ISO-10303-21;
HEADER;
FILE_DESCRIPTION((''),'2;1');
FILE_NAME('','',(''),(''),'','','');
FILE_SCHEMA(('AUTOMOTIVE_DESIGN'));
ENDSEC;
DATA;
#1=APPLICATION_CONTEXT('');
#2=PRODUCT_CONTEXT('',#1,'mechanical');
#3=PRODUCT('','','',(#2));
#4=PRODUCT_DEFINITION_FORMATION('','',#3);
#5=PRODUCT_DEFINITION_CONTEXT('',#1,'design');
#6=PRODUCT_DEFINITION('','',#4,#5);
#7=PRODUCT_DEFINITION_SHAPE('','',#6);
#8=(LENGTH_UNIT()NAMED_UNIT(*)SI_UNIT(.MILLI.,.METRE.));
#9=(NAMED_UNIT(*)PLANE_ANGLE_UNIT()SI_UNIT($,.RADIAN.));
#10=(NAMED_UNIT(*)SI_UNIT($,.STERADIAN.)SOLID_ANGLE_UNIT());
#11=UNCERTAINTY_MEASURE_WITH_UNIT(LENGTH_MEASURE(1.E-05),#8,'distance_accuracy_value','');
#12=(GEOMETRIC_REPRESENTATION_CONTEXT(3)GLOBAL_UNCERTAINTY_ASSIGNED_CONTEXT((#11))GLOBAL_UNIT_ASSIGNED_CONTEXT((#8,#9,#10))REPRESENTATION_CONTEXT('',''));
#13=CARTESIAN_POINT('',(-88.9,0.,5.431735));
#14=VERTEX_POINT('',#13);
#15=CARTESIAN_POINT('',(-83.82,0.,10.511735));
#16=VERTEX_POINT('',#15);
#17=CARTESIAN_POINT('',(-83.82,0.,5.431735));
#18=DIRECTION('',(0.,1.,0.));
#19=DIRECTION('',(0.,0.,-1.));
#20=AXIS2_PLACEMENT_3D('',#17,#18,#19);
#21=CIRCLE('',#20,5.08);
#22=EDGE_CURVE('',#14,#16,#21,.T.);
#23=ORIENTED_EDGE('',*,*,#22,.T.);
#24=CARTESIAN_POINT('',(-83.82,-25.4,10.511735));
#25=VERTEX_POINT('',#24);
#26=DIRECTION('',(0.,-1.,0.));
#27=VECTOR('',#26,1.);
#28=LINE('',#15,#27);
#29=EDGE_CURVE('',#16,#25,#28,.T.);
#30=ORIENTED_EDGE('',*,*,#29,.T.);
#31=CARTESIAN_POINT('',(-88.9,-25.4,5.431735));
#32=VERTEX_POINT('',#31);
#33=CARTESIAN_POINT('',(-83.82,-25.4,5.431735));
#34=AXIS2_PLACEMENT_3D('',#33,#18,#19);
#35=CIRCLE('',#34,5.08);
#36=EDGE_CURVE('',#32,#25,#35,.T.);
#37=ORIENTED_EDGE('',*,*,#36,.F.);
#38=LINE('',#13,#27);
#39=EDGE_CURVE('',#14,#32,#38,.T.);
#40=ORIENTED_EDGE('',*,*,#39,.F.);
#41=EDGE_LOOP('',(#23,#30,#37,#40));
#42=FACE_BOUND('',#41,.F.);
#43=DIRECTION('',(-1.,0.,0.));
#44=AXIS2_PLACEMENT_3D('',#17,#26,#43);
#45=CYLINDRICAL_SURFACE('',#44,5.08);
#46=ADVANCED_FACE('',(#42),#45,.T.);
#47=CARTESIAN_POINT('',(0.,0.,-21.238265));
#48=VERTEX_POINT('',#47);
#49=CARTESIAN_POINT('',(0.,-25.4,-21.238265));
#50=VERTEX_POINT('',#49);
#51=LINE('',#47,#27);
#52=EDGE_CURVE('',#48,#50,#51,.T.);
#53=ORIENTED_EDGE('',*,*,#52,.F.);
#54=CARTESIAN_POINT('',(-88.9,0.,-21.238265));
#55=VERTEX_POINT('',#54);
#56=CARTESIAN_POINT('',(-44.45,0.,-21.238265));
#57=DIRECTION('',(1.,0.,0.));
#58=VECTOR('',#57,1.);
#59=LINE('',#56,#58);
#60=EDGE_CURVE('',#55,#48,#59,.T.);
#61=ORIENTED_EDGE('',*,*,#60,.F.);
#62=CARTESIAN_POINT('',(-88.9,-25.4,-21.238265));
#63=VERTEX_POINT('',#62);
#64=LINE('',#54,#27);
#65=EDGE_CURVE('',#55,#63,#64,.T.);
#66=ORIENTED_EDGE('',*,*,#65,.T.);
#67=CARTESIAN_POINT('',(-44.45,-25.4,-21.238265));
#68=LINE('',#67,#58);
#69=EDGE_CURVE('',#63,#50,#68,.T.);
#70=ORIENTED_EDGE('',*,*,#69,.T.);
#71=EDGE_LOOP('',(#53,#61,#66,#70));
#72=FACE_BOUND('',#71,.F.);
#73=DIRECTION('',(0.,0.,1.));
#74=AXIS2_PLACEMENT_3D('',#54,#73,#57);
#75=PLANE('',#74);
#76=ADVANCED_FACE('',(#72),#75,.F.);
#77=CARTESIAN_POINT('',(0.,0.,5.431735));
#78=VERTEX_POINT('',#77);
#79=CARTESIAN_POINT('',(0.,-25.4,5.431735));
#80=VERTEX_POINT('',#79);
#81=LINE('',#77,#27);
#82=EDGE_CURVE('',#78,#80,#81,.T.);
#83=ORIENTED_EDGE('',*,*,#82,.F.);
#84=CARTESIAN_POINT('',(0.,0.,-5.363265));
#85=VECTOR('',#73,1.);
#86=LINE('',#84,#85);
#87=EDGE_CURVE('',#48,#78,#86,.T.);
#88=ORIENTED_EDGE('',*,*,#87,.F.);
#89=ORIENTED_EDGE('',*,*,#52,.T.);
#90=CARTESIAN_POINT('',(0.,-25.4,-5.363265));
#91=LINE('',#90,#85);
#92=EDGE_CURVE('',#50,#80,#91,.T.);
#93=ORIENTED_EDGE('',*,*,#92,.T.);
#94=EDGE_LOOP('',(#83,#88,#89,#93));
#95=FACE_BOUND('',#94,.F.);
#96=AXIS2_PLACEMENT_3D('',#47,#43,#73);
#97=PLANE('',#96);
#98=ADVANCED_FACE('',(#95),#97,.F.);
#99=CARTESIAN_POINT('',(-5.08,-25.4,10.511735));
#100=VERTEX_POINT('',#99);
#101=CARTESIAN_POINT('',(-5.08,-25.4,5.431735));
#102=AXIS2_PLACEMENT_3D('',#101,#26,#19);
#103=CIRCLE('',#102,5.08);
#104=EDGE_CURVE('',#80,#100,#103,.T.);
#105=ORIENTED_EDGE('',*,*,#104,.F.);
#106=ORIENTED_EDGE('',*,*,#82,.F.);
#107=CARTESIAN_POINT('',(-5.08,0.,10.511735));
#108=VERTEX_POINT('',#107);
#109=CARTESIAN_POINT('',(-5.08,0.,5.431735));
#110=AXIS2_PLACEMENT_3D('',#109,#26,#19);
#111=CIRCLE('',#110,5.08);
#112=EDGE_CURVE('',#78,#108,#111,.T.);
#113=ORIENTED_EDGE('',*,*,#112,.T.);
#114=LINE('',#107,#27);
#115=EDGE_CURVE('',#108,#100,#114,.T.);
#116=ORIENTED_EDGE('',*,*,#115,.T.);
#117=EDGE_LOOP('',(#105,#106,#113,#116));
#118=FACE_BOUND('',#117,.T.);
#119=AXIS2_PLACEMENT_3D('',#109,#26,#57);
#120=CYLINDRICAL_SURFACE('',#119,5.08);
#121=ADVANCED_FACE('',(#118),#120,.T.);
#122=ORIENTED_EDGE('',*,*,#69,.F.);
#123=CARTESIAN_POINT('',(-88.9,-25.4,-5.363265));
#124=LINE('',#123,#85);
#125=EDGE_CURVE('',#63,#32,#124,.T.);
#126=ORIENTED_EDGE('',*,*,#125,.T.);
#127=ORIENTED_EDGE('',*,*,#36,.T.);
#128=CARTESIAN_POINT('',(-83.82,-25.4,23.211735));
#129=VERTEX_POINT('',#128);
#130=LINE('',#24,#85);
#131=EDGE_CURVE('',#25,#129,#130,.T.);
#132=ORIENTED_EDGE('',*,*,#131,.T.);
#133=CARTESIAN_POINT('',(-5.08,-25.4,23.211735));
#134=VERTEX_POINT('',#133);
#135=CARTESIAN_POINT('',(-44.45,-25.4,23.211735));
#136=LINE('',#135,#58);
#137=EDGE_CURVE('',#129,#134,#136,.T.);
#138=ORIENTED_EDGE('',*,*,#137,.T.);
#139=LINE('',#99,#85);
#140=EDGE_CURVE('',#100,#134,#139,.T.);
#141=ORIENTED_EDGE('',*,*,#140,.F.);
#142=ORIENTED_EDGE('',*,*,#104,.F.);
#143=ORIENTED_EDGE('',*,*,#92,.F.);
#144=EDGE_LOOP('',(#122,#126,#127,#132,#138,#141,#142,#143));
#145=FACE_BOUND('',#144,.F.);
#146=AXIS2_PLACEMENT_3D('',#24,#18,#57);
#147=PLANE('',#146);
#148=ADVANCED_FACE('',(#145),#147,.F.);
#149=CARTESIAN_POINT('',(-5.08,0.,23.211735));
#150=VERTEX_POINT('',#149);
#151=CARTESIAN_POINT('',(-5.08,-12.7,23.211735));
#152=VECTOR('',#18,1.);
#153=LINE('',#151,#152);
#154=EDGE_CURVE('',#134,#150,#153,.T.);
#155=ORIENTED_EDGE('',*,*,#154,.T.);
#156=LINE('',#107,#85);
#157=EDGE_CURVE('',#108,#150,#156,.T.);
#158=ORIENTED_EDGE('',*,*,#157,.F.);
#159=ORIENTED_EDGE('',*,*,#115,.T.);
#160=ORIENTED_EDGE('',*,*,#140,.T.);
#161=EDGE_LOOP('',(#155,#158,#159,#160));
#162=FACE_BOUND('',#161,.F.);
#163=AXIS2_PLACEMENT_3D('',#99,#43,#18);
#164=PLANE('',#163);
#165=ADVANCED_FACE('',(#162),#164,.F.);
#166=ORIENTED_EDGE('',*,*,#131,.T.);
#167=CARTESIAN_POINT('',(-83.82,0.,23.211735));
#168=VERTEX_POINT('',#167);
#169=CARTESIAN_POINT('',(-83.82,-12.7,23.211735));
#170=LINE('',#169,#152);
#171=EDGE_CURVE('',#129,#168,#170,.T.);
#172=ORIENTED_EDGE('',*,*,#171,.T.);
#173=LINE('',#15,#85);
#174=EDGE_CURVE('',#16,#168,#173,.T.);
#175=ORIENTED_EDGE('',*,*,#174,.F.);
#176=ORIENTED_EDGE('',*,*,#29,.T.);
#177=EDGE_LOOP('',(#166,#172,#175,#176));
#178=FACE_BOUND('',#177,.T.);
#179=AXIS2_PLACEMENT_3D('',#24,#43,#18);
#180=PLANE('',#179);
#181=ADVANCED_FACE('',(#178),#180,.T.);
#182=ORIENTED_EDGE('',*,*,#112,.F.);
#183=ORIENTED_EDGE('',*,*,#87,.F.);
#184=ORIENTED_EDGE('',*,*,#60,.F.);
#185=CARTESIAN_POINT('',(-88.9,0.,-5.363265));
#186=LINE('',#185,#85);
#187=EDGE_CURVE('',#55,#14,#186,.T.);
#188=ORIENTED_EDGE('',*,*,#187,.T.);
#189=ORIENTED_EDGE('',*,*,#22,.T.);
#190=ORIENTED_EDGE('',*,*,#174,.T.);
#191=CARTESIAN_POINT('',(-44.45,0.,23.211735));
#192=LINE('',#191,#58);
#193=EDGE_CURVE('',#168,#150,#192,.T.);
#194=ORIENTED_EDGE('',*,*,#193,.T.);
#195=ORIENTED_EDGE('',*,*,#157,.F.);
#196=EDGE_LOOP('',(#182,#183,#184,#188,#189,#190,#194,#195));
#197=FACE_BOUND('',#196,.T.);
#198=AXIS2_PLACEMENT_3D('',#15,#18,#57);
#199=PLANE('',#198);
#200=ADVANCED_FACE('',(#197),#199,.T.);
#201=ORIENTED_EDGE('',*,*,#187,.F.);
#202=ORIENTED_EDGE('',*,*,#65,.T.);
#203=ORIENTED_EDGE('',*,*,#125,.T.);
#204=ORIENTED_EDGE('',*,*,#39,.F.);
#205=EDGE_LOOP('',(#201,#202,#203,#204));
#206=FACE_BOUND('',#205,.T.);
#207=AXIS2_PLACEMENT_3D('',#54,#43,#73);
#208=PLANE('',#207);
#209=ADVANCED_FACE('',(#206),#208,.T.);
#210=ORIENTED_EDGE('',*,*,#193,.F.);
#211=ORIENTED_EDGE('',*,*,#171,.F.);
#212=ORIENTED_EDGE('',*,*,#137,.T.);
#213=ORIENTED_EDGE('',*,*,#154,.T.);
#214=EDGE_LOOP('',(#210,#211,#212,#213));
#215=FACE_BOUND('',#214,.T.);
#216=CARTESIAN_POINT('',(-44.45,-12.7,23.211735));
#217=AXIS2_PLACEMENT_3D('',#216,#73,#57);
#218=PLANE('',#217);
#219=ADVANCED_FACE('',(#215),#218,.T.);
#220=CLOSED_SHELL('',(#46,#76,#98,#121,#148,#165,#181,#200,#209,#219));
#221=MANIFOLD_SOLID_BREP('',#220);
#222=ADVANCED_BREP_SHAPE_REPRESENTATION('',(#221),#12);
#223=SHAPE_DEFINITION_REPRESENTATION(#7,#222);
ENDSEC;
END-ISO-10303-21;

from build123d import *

# Parameters (mm, degrees)
F0_W      = 88.9
F0_H      = 31.75
F1_DEPTH  = 25.4
F2_R      = 5.08
F1_FACE_W = 78.74
F1_FACE_H = 25.4
F3_DEPTH  = 12.7


with BuildPart() as f1:
    # F0 (on Front) → F1 (new body)
    with BuildSketch(Plane.XZ):
        with Locations((-44.45, -5.363265)):
            Rectangle(F0_W, F0_H)
    extrude(amount=F1_DEPTH)

    # F2
    f2_edges = [f1.edges().sort_by_distance(p)[0] for p in [
        (-88.9, -12.7, 10.511735),
        (0, -12.7, 10.511735),
    ]]
    fillet(f2_edges, radius=F2_R)

    # F1_face (on face) → F3 (join)
    with BuildSketch(Plane(origin=(-44.45, -12.7, 10.511735), x_dir=(1, 0, 0), z_dir=(0, 0, 1))):
        Rectangle(F1_FACE_W, F1_FACE_H)
    extrude(amount=F3_DEPTH)


solid = f1.part
